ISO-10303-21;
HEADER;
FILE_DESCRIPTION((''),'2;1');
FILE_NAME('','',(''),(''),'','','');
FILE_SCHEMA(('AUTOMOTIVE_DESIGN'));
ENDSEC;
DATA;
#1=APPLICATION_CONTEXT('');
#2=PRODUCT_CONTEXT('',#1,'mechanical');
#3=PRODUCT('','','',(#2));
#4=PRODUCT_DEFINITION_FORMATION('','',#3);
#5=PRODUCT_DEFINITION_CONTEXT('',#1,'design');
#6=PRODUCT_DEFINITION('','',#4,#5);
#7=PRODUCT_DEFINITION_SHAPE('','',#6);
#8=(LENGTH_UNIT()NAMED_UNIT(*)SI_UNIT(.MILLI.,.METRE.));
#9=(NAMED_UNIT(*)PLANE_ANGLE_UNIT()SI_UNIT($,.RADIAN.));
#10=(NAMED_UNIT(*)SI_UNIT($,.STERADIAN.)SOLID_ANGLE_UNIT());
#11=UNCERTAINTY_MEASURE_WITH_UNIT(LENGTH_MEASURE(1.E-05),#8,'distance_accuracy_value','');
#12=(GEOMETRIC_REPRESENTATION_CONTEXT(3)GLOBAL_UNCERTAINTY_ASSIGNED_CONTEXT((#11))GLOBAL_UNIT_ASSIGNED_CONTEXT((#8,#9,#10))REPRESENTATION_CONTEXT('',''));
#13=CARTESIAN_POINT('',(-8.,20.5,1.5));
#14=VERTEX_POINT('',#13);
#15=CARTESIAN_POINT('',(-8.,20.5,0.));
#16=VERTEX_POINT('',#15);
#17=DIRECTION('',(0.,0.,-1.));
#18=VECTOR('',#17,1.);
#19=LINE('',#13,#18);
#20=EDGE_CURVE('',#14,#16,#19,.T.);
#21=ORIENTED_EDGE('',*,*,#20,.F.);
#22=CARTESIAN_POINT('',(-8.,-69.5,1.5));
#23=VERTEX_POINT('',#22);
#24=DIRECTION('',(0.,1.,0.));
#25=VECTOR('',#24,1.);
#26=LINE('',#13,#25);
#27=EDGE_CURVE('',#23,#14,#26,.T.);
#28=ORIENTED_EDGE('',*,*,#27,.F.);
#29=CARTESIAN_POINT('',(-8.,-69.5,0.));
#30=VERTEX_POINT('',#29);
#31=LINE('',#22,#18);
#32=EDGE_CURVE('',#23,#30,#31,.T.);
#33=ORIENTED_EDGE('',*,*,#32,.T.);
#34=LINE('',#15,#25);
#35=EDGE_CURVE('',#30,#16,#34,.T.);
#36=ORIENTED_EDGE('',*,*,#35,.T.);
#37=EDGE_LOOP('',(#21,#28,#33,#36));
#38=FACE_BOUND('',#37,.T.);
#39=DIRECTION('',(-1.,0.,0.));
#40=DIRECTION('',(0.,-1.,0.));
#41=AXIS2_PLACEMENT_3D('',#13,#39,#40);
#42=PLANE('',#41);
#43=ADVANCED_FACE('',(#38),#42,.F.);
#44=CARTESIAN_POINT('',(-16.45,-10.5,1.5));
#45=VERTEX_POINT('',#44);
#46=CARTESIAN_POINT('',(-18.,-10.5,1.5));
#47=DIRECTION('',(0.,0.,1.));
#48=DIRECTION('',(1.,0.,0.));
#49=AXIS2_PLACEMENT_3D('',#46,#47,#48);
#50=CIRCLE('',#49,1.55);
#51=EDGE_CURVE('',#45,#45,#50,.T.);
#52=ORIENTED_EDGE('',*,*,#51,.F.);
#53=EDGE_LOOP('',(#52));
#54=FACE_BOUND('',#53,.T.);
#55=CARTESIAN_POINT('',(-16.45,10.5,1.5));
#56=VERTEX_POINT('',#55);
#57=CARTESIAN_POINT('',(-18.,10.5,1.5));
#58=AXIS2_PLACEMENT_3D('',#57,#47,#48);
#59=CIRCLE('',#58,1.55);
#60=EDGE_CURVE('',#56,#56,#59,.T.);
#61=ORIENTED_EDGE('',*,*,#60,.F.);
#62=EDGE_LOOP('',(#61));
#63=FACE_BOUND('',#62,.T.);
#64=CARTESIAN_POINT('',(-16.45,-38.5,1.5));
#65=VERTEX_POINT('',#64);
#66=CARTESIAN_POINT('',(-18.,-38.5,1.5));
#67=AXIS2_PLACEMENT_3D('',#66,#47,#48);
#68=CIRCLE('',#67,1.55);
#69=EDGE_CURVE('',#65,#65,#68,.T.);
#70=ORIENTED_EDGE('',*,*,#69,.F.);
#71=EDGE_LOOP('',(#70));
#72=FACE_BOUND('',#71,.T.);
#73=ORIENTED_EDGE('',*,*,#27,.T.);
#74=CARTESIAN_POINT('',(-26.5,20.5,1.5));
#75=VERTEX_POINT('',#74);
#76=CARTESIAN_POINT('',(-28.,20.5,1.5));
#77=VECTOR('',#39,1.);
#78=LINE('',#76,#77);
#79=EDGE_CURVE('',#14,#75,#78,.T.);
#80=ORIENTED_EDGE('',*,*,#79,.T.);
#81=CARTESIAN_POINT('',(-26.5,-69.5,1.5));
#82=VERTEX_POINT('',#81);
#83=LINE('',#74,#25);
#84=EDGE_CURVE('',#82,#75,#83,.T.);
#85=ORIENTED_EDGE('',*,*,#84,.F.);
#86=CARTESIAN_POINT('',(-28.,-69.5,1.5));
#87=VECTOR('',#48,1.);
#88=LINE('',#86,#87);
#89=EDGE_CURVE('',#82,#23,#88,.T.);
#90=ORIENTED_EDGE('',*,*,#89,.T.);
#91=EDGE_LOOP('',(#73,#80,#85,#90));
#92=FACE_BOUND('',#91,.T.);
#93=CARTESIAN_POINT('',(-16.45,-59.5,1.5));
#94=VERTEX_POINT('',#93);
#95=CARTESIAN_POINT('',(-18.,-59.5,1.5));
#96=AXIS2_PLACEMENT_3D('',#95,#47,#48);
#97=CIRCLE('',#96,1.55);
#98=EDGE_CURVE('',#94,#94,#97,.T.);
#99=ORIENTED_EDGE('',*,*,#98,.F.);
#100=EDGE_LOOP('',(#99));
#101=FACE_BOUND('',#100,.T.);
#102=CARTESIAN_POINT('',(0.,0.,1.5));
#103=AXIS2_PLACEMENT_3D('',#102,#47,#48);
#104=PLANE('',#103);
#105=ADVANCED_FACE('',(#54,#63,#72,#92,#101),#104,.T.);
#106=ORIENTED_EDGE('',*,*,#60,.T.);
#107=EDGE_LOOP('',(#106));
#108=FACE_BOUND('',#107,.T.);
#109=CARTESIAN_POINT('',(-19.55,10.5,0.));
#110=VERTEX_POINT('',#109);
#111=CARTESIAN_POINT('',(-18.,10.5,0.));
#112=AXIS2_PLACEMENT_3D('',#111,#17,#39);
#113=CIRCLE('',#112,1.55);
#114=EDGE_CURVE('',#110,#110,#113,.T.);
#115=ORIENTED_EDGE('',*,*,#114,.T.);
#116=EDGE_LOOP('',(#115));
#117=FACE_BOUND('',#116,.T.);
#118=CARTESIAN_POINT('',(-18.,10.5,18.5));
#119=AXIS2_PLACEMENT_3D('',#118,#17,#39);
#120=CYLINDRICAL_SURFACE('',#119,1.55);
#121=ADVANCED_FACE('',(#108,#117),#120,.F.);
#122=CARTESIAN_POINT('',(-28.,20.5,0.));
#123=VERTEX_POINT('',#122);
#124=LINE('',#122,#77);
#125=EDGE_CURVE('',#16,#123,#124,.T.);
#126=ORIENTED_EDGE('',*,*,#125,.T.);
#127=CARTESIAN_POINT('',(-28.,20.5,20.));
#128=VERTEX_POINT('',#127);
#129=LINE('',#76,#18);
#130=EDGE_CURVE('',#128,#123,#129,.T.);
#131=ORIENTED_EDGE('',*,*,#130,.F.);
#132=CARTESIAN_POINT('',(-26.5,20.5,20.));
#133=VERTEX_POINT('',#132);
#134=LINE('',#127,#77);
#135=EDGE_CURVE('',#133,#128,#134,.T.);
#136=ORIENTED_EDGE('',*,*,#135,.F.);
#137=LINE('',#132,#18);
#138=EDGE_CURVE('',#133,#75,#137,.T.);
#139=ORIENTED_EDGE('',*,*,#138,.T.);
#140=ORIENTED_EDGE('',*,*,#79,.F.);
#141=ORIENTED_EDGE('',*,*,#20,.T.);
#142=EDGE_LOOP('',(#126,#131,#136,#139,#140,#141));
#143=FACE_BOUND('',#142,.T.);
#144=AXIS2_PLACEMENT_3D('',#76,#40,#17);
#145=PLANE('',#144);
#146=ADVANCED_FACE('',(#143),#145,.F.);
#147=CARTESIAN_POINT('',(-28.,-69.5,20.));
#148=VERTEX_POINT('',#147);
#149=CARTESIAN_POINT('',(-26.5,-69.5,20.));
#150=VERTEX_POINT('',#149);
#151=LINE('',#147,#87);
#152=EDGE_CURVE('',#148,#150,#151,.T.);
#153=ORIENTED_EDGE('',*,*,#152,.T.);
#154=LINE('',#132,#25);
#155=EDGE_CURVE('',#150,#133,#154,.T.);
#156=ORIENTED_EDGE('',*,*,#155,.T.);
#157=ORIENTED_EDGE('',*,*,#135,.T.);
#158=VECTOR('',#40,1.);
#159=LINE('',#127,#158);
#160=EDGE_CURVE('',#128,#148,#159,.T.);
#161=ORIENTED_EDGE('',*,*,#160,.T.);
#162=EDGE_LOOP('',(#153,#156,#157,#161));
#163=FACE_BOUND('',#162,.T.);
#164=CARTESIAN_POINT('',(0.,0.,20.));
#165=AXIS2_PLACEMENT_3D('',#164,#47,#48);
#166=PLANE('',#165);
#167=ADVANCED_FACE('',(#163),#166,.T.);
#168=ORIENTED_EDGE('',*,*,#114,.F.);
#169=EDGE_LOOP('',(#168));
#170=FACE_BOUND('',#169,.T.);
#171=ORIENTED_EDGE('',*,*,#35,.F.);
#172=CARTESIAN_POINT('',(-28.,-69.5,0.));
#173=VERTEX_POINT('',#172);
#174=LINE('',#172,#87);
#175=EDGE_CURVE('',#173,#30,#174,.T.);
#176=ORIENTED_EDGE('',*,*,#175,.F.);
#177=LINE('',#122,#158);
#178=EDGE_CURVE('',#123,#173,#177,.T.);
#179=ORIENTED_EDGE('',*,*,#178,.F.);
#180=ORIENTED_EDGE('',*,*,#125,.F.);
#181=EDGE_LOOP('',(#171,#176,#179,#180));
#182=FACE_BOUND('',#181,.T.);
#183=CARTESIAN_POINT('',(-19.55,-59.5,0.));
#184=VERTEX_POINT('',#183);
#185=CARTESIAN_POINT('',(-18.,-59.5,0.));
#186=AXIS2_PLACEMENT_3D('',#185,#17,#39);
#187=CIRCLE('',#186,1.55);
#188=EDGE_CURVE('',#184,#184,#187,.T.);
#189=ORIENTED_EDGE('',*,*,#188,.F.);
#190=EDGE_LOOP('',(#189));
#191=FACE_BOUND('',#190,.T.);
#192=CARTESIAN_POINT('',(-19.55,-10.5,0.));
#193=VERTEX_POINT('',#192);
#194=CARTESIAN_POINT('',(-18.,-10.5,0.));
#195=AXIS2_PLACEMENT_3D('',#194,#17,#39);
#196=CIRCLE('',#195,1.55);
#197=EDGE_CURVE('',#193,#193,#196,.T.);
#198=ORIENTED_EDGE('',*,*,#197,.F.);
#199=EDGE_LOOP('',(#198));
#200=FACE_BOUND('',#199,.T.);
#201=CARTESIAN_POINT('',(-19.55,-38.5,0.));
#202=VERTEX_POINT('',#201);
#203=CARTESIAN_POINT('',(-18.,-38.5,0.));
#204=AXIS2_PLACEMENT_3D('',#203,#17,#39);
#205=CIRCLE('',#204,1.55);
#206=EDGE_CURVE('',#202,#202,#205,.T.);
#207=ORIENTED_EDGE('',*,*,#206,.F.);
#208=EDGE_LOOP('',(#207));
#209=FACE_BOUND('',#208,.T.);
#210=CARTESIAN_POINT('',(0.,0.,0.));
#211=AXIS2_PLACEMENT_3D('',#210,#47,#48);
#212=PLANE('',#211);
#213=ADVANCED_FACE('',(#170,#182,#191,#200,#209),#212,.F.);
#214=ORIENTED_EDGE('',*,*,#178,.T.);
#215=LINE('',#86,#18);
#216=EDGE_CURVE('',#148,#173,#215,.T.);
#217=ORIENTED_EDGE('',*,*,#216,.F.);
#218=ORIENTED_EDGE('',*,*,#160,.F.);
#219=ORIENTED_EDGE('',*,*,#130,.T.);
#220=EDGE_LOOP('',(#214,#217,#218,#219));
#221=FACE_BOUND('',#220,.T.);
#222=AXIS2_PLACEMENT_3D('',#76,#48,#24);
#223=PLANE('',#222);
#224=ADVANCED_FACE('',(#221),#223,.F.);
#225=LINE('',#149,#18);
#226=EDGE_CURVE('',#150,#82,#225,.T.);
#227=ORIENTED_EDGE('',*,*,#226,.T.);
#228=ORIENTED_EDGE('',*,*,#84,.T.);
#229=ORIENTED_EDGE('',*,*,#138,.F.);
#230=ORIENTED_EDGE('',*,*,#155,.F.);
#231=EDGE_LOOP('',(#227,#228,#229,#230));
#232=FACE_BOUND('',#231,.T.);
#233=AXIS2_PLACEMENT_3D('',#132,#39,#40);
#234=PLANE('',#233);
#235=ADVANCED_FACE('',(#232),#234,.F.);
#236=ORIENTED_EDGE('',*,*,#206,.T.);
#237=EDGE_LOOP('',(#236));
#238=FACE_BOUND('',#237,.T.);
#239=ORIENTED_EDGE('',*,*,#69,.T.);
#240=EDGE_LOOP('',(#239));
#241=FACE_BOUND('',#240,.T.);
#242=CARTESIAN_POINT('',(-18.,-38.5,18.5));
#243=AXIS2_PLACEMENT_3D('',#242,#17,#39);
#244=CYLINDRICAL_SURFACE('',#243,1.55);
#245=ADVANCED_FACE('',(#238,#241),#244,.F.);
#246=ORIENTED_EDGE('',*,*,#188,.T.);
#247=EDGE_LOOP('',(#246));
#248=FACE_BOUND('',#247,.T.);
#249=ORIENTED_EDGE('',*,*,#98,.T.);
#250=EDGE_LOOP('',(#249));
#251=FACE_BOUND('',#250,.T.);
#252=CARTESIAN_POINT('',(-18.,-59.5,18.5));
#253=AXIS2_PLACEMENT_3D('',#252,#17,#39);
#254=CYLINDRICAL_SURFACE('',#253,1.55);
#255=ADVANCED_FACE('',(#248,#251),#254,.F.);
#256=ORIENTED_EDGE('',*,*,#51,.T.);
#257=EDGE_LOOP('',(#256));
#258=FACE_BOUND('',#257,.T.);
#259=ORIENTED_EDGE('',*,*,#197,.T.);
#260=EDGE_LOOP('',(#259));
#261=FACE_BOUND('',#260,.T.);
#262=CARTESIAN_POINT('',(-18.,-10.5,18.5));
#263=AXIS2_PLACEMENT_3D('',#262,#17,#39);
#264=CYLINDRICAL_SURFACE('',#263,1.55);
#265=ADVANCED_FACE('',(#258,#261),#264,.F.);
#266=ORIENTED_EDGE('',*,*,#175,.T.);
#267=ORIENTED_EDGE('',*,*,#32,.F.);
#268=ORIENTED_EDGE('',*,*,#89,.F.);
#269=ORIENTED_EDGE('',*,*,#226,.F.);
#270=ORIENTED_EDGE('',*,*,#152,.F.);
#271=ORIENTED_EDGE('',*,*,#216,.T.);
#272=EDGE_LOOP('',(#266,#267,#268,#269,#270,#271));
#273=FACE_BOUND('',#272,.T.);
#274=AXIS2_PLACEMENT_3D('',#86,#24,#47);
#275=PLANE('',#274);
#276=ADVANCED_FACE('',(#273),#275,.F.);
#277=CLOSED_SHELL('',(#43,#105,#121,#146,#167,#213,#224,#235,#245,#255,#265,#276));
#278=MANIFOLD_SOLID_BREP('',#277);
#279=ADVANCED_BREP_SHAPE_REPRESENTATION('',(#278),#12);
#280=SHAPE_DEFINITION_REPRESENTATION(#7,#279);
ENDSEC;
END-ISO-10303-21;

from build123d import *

# Parameters (mm, degrees)
SKETCH1_W           = 20
SKETCH1_H           = 90
BOSS_EXTRUDE1_DEPTH = 1.5
SKETCH2_W           = 1.5
SKETCH2_H           = 90
BOSS_EXTRUDE2_DEPTH = 18.5
SKETCH4_R           = 1.55
CUT_EXTRUDE1_DEPTH  = 18.5


with BuildPart() as part:
    # Sketch1 → Boss-Extrude1 (new body)
    with BuildSketch(Plane.XY):
        with Locations((-18, -24.5)):
            Rectangle(SKETCH1_W, SKETCH1_H)
    extrude(amount=BOSS_EXTRUDE1_DEPTH)

    # Sketch2 → Boss-Extrude2 (add)
    with BuildSketch(Plane.XY.offset(1.5)):
        with Locations((-27.25, -24.5)):
            Rectangle(SKETCH2_W, SKETCH2_H)
    extrude(amount=BOSS_EXTRUDE2_DEPTH)

    # Sketch4 → Cut-Extrude1 (cut)
    with BuildSketch(Plane(origin=(0, 0, 0), x_dir=(-1, 0, 0), z_dir=(0, 0, -1))):
        with Locations((18, 10.5)):
            Circle(SKETCH4_R)
        with Locations((18, -10.5)):
            Circle(SKETCH4_R)
        with Locations((18, -59.5)):
            Circle(SKETCH4_R)
        with Locations((18, -38.5)):
            Circle(SKETCH4_R)
    extrude(amount=-CUT_EXTRUDE1_DEPTH, mode=Mode.SUBTRACT)


solid = part.part
